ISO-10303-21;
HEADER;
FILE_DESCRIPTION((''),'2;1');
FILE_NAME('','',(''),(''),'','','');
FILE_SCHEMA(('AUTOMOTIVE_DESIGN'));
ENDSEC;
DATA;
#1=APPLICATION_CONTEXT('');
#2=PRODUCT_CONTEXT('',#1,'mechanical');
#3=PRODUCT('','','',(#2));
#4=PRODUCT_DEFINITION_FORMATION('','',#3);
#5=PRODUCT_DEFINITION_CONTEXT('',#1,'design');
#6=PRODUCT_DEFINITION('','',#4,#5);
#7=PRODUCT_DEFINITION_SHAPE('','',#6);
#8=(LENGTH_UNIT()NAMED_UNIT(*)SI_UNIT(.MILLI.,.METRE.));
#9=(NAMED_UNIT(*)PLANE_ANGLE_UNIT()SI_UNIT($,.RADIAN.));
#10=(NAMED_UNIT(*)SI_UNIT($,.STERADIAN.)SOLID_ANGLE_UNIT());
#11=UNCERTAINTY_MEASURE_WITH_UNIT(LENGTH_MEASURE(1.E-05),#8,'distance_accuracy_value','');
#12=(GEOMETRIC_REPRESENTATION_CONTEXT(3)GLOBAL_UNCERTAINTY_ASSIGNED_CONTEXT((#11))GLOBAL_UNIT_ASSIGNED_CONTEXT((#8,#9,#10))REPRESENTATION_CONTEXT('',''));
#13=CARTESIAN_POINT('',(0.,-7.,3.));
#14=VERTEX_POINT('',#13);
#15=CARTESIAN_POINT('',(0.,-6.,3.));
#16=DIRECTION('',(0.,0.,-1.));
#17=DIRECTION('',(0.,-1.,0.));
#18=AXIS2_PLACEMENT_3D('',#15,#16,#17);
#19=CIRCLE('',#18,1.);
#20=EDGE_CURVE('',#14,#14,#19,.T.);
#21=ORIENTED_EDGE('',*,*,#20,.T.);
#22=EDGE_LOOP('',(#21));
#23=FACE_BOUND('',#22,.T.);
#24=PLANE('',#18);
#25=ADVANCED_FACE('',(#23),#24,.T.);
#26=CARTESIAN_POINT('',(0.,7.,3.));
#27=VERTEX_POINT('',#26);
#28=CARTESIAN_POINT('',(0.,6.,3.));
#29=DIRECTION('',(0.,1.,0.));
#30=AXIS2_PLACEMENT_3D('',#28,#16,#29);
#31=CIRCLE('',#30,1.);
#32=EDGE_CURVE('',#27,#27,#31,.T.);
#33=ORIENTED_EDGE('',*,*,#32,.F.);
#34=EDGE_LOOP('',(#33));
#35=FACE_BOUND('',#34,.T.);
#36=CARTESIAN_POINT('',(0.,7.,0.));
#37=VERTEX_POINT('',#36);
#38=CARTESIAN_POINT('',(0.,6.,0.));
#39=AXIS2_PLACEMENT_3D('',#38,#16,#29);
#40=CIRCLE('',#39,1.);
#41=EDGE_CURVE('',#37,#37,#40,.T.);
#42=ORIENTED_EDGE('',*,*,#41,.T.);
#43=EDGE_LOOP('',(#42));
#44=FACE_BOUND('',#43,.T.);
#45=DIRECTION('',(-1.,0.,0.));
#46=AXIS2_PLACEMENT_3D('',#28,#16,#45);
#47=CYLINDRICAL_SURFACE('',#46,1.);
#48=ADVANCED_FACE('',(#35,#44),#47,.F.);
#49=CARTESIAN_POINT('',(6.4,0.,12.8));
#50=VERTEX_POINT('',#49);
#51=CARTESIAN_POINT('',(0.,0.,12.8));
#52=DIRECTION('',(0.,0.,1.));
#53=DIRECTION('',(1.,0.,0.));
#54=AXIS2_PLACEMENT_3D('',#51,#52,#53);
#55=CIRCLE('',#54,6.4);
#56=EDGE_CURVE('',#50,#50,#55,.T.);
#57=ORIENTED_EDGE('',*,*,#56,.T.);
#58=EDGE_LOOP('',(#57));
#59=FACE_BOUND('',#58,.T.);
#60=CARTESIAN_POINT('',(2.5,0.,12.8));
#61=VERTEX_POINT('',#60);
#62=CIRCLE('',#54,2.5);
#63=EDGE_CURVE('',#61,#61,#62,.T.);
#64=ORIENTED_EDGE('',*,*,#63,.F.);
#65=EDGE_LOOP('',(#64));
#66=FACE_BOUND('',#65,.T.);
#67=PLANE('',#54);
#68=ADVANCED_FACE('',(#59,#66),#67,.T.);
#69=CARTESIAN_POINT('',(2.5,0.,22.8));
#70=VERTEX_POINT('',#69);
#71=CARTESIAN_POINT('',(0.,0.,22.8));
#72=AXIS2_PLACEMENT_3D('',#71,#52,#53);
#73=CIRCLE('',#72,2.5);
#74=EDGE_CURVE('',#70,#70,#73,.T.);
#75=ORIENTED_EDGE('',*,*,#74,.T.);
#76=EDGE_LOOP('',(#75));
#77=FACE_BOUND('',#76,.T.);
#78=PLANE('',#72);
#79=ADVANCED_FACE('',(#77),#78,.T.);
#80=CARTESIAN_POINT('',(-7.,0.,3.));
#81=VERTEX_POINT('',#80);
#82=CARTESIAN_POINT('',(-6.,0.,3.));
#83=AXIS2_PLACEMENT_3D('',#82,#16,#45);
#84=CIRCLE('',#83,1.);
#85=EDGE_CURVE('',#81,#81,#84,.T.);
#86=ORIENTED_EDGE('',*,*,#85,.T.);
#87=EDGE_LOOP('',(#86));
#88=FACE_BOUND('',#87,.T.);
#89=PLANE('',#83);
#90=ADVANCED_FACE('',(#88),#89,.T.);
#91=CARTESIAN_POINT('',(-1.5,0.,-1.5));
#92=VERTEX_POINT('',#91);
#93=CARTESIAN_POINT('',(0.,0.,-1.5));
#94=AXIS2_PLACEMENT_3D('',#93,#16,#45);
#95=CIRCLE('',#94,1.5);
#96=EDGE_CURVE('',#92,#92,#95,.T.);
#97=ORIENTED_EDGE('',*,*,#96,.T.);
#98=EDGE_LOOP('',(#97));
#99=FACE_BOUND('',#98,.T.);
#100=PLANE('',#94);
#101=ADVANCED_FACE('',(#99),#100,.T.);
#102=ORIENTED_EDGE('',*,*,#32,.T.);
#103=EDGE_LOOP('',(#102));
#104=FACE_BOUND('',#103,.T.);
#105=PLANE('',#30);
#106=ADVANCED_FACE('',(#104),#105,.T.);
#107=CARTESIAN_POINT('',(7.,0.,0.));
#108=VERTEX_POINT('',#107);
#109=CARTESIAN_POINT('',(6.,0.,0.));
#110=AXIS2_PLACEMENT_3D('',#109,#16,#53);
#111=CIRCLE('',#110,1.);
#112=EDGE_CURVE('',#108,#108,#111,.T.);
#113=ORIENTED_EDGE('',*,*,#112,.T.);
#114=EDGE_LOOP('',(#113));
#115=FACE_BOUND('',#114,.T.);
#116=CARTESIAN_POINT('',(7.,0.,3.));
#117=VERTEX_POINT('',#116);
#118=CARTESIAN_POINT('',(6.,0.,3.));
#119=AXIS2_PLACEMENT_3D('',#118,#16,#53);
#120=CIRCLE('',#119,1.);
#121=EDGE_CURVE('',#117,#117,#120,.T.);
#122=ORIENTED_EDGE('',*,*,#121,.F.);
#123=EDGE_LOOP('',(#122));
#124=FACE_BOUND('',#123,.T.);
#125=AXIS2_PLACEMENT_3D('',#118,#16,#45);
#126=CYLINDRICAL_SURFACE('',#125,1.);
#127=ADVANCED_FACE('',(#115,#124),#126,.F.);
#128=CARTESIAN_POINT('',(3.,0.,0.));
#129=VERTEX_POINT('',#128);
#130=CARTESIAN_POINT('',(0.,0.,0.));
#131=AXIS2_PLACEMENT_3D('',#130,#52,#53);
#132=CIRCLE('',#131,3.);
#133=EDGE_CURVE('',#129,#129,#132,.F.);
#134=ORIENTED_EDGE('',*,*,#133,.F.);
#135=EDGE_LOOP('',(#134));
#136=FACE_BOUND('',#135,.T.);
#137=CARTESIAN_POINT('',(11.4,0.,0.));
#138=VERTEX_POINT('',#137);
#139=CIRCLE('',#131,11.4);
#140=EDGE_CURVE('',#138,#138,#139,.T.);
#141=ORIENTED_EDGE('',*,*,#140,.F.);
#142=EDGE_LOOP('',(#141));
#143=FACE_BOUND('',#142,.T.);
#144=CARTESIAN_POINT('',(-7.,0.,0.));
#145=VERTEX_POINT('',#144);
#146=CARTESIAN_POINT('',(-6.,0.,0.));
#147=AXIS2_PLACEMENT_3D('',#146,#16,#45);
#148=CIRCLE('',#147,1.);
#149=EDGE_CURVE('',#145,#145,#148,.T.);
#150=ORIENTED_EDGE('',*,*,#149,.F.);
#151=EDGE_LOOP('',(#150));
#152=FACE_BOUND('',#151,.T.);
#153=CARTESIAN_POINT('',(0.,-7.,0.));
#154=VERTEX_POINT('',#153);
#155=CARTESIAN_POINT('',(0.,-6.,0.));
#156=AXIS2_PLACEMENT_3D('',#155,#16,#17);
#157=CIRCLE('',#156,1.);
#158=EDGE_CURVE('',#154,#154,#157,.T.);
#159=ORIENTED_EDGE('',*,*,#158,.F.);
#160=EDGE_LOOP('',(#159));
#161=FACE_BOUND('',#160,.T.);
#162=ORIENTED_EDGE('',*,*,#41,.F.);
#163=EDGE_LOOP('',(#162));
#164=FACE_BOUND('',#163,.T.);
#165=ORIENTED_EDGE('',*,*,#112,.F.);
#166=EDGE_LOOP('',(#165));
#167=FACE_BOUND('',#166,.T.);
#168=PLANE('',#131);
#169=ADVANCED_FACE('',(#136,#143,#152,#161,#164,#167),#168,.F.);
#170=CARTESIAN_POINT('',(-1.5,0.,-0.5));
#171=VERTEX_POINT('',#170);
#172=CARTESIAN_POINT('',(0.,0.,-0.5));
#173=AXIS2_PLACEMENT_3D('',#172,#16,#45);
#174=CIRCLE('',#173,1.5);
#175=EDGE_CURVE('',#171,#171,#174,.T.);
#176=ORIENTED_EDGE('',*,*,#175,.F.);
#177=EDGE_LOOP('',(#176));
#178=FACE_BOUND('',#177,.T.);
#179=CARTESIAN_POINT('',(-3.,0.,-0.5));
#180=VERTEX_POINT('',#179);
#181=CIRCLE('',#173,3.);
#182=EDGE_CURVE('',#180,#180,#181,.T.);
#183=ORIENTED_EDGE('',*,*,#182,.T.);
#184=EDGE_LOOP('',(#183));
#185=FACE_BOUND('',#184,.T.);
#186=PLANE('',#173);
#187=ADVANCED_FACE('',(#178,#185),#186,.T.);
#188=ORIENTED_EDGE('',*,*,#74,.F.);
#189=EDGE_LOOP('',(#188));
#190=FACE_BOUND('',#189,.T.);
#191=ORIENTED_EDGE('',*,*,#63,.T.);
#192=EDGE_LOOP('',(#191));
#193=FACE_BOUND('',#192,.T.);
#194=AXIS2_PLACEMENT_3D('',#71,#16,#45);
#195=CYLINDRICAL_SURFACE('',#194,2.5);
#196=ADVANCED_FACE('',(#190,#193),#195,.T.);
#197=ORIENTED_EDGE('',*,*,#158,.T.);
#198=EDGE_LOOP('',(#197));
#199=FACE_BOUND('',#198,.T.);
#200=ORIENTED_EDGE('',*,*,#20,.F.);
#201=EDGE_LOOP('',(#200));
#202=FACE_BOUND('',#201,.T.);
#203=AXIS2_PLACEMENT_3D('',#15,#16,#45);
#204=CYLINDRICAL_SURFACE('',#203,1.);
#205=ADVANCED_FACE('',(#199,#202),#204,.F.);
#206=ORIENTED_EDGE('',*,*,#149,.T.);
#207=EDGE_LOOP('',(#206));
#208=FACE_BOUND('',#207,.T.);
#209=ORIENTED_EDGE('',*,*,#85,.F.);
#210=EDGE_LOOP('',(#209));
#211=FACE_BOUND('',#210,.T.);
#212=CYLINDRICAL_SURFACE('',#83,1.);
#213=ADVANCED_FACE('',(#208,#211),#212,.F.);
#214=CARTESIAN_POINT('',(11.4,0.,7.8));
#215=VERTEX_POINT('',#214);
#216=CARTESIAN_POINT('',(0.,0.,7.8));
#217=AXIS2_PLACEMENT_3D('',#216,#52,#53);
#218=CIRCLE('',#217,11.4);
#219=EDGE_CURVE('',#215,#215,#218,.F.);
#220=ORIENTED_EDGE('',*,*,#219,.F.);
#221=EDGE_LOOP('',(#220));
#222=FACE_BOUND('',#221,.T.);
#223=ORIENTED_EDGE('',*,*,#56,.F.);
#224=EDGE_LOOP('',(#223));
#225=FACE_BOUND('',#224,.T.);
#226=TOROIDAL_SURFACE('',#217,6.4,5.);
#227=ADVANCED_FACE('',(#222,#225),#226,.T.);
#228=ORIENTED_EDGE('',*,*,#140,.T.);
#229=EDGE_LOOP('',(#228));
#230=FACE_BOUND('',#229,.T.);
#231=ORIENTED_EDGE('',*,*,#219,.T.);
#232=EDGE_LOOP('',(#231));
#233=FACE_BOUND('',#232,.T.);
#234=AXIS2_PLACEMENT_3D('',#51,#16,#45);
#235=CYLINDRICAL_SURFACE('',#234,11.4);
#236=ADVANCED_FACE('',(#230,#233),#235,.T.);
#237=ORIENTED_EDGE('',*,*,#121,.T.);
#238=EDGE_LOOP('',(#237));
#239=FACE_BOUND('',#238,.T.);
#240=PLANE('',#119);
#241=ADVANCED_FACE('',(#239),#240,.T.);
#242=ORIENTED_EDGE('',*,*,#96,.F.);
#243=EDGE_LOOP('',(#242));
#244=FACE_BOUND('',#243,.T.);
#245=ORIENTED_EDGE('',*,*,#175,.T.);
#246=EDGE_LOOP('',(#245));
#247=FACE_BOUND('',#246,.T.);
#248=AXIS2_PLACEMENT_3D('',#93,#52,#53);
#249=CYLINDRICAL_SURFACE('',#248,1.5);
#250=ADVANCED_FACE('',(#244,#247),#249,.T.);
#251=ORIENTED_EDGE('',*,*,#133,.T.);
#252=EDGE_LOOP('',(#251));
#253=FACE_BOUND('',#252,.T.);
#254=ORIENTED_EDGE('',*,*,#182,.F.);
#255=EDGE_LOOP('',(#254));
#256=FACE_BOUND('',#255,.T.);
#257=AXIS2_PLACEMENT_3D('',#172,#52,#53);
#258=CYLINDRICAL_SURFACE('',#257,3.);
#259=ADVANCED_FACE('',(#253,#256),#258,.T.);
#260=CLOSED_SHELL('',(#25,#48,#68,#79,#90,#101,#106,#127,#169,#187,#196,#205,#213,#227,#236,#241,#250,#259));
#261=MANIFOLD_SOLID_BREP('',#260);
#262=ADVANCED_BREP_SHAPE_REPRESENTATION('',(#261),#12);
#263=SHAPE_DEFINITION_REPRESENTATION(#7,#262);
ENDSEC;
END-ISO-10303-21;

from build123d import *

# Parameters (mm, degrees)
SKETCH_1_R               = 11.4
EXTRUDE_1_DEPTH          = 12.8
SKETCH_2_R               = 1
CUT_EXTRUDE_1_DEPTH      = 3
PATTERN_CIRCULAR_1_COUNT = 4
SKETCH_3_R               = 3
EXTRUDE_2_DEPTH          = 0.5
SKETCH_4_R               = 1.5
EXTRUDE_3_DEPTH          = 1
SKETCH_5_R               = 2.5
EXTRUDE_4_DEPTH          = 10
FILLET_1_R               = 5


with BuildPart() as part:
    # 草图1 → 凸台-拉伸1 (new body)
    with BuildSketch(Plane.XY):
        Circle(SKETCH_1_R)
    extrude(amount=EXTRUDE_1_DEPTH)

    # 草图2 → 切除-拉伸1 (cut)
    with BuildSketch(Plane(origin=(0, 0, 0), x_dir=(-1, 0, 0), z_dir=(0, 0, -1))):
        with Locations((6, 0)):
            Circle(SKETCH_2_R)
    cut_extrude_1 = extrude(amount=-CUT_EXTRUDE_1_DEPTH, mode=Mode.SUBTRACT)

    # 阵列(圆周)1: 切除-拉伸1 ×4 about axis
    pattern_circular_1_axis = Axis((0, 0, 13.44), (0, 0, -1))
    for i in range(1, PATTERN_CIRCULAR_1_COUNT):
        add(cut_extrude_1.rotate(pattern_circular_1_axis, i * 360 / PATTERN_CIRCULAR_1_COUNT), mode=Mode.SUBTRACT)

    # 草图3 → 凸台-拉伸2 (add)
    with BuildSketch(Plane(origin=(0, 0, 0), x_dir=(-1, 0, 0), z_dir=(0, 0, -1))):
        Circle(SKETCH_3_R)
    extrude(amount=EXTRUDE_2_DEPTH)

    # 草图4 → 凸台-拉伸3 (add)
    with BuildSketch(Plane(origin=(0, 0, -0.5), x_dir=(-1, 0, 0), z_dir=(0, 0, -1))):
        Circle(SKETCH_4_R)
    extrude(amount=EXTRUDE_3_DEPTH)

    # 草图5 → 凸台-拉伸4 (add)
    with BuildSketch(Plane.XY.offset(12.8)):
        Circle(SKETCH_5_R)
    extrude(amount=EXTRUDE_4_DEPTH)

    # 圆角1
    fillet_1_edges = [part.edges().sort_by_distance(p)[0] for p in [
        (-11.4, 0, 12.8),
    ]]
    fillet(fillet_1_edges, radius=FILLET_1_R)


solid = part.part
